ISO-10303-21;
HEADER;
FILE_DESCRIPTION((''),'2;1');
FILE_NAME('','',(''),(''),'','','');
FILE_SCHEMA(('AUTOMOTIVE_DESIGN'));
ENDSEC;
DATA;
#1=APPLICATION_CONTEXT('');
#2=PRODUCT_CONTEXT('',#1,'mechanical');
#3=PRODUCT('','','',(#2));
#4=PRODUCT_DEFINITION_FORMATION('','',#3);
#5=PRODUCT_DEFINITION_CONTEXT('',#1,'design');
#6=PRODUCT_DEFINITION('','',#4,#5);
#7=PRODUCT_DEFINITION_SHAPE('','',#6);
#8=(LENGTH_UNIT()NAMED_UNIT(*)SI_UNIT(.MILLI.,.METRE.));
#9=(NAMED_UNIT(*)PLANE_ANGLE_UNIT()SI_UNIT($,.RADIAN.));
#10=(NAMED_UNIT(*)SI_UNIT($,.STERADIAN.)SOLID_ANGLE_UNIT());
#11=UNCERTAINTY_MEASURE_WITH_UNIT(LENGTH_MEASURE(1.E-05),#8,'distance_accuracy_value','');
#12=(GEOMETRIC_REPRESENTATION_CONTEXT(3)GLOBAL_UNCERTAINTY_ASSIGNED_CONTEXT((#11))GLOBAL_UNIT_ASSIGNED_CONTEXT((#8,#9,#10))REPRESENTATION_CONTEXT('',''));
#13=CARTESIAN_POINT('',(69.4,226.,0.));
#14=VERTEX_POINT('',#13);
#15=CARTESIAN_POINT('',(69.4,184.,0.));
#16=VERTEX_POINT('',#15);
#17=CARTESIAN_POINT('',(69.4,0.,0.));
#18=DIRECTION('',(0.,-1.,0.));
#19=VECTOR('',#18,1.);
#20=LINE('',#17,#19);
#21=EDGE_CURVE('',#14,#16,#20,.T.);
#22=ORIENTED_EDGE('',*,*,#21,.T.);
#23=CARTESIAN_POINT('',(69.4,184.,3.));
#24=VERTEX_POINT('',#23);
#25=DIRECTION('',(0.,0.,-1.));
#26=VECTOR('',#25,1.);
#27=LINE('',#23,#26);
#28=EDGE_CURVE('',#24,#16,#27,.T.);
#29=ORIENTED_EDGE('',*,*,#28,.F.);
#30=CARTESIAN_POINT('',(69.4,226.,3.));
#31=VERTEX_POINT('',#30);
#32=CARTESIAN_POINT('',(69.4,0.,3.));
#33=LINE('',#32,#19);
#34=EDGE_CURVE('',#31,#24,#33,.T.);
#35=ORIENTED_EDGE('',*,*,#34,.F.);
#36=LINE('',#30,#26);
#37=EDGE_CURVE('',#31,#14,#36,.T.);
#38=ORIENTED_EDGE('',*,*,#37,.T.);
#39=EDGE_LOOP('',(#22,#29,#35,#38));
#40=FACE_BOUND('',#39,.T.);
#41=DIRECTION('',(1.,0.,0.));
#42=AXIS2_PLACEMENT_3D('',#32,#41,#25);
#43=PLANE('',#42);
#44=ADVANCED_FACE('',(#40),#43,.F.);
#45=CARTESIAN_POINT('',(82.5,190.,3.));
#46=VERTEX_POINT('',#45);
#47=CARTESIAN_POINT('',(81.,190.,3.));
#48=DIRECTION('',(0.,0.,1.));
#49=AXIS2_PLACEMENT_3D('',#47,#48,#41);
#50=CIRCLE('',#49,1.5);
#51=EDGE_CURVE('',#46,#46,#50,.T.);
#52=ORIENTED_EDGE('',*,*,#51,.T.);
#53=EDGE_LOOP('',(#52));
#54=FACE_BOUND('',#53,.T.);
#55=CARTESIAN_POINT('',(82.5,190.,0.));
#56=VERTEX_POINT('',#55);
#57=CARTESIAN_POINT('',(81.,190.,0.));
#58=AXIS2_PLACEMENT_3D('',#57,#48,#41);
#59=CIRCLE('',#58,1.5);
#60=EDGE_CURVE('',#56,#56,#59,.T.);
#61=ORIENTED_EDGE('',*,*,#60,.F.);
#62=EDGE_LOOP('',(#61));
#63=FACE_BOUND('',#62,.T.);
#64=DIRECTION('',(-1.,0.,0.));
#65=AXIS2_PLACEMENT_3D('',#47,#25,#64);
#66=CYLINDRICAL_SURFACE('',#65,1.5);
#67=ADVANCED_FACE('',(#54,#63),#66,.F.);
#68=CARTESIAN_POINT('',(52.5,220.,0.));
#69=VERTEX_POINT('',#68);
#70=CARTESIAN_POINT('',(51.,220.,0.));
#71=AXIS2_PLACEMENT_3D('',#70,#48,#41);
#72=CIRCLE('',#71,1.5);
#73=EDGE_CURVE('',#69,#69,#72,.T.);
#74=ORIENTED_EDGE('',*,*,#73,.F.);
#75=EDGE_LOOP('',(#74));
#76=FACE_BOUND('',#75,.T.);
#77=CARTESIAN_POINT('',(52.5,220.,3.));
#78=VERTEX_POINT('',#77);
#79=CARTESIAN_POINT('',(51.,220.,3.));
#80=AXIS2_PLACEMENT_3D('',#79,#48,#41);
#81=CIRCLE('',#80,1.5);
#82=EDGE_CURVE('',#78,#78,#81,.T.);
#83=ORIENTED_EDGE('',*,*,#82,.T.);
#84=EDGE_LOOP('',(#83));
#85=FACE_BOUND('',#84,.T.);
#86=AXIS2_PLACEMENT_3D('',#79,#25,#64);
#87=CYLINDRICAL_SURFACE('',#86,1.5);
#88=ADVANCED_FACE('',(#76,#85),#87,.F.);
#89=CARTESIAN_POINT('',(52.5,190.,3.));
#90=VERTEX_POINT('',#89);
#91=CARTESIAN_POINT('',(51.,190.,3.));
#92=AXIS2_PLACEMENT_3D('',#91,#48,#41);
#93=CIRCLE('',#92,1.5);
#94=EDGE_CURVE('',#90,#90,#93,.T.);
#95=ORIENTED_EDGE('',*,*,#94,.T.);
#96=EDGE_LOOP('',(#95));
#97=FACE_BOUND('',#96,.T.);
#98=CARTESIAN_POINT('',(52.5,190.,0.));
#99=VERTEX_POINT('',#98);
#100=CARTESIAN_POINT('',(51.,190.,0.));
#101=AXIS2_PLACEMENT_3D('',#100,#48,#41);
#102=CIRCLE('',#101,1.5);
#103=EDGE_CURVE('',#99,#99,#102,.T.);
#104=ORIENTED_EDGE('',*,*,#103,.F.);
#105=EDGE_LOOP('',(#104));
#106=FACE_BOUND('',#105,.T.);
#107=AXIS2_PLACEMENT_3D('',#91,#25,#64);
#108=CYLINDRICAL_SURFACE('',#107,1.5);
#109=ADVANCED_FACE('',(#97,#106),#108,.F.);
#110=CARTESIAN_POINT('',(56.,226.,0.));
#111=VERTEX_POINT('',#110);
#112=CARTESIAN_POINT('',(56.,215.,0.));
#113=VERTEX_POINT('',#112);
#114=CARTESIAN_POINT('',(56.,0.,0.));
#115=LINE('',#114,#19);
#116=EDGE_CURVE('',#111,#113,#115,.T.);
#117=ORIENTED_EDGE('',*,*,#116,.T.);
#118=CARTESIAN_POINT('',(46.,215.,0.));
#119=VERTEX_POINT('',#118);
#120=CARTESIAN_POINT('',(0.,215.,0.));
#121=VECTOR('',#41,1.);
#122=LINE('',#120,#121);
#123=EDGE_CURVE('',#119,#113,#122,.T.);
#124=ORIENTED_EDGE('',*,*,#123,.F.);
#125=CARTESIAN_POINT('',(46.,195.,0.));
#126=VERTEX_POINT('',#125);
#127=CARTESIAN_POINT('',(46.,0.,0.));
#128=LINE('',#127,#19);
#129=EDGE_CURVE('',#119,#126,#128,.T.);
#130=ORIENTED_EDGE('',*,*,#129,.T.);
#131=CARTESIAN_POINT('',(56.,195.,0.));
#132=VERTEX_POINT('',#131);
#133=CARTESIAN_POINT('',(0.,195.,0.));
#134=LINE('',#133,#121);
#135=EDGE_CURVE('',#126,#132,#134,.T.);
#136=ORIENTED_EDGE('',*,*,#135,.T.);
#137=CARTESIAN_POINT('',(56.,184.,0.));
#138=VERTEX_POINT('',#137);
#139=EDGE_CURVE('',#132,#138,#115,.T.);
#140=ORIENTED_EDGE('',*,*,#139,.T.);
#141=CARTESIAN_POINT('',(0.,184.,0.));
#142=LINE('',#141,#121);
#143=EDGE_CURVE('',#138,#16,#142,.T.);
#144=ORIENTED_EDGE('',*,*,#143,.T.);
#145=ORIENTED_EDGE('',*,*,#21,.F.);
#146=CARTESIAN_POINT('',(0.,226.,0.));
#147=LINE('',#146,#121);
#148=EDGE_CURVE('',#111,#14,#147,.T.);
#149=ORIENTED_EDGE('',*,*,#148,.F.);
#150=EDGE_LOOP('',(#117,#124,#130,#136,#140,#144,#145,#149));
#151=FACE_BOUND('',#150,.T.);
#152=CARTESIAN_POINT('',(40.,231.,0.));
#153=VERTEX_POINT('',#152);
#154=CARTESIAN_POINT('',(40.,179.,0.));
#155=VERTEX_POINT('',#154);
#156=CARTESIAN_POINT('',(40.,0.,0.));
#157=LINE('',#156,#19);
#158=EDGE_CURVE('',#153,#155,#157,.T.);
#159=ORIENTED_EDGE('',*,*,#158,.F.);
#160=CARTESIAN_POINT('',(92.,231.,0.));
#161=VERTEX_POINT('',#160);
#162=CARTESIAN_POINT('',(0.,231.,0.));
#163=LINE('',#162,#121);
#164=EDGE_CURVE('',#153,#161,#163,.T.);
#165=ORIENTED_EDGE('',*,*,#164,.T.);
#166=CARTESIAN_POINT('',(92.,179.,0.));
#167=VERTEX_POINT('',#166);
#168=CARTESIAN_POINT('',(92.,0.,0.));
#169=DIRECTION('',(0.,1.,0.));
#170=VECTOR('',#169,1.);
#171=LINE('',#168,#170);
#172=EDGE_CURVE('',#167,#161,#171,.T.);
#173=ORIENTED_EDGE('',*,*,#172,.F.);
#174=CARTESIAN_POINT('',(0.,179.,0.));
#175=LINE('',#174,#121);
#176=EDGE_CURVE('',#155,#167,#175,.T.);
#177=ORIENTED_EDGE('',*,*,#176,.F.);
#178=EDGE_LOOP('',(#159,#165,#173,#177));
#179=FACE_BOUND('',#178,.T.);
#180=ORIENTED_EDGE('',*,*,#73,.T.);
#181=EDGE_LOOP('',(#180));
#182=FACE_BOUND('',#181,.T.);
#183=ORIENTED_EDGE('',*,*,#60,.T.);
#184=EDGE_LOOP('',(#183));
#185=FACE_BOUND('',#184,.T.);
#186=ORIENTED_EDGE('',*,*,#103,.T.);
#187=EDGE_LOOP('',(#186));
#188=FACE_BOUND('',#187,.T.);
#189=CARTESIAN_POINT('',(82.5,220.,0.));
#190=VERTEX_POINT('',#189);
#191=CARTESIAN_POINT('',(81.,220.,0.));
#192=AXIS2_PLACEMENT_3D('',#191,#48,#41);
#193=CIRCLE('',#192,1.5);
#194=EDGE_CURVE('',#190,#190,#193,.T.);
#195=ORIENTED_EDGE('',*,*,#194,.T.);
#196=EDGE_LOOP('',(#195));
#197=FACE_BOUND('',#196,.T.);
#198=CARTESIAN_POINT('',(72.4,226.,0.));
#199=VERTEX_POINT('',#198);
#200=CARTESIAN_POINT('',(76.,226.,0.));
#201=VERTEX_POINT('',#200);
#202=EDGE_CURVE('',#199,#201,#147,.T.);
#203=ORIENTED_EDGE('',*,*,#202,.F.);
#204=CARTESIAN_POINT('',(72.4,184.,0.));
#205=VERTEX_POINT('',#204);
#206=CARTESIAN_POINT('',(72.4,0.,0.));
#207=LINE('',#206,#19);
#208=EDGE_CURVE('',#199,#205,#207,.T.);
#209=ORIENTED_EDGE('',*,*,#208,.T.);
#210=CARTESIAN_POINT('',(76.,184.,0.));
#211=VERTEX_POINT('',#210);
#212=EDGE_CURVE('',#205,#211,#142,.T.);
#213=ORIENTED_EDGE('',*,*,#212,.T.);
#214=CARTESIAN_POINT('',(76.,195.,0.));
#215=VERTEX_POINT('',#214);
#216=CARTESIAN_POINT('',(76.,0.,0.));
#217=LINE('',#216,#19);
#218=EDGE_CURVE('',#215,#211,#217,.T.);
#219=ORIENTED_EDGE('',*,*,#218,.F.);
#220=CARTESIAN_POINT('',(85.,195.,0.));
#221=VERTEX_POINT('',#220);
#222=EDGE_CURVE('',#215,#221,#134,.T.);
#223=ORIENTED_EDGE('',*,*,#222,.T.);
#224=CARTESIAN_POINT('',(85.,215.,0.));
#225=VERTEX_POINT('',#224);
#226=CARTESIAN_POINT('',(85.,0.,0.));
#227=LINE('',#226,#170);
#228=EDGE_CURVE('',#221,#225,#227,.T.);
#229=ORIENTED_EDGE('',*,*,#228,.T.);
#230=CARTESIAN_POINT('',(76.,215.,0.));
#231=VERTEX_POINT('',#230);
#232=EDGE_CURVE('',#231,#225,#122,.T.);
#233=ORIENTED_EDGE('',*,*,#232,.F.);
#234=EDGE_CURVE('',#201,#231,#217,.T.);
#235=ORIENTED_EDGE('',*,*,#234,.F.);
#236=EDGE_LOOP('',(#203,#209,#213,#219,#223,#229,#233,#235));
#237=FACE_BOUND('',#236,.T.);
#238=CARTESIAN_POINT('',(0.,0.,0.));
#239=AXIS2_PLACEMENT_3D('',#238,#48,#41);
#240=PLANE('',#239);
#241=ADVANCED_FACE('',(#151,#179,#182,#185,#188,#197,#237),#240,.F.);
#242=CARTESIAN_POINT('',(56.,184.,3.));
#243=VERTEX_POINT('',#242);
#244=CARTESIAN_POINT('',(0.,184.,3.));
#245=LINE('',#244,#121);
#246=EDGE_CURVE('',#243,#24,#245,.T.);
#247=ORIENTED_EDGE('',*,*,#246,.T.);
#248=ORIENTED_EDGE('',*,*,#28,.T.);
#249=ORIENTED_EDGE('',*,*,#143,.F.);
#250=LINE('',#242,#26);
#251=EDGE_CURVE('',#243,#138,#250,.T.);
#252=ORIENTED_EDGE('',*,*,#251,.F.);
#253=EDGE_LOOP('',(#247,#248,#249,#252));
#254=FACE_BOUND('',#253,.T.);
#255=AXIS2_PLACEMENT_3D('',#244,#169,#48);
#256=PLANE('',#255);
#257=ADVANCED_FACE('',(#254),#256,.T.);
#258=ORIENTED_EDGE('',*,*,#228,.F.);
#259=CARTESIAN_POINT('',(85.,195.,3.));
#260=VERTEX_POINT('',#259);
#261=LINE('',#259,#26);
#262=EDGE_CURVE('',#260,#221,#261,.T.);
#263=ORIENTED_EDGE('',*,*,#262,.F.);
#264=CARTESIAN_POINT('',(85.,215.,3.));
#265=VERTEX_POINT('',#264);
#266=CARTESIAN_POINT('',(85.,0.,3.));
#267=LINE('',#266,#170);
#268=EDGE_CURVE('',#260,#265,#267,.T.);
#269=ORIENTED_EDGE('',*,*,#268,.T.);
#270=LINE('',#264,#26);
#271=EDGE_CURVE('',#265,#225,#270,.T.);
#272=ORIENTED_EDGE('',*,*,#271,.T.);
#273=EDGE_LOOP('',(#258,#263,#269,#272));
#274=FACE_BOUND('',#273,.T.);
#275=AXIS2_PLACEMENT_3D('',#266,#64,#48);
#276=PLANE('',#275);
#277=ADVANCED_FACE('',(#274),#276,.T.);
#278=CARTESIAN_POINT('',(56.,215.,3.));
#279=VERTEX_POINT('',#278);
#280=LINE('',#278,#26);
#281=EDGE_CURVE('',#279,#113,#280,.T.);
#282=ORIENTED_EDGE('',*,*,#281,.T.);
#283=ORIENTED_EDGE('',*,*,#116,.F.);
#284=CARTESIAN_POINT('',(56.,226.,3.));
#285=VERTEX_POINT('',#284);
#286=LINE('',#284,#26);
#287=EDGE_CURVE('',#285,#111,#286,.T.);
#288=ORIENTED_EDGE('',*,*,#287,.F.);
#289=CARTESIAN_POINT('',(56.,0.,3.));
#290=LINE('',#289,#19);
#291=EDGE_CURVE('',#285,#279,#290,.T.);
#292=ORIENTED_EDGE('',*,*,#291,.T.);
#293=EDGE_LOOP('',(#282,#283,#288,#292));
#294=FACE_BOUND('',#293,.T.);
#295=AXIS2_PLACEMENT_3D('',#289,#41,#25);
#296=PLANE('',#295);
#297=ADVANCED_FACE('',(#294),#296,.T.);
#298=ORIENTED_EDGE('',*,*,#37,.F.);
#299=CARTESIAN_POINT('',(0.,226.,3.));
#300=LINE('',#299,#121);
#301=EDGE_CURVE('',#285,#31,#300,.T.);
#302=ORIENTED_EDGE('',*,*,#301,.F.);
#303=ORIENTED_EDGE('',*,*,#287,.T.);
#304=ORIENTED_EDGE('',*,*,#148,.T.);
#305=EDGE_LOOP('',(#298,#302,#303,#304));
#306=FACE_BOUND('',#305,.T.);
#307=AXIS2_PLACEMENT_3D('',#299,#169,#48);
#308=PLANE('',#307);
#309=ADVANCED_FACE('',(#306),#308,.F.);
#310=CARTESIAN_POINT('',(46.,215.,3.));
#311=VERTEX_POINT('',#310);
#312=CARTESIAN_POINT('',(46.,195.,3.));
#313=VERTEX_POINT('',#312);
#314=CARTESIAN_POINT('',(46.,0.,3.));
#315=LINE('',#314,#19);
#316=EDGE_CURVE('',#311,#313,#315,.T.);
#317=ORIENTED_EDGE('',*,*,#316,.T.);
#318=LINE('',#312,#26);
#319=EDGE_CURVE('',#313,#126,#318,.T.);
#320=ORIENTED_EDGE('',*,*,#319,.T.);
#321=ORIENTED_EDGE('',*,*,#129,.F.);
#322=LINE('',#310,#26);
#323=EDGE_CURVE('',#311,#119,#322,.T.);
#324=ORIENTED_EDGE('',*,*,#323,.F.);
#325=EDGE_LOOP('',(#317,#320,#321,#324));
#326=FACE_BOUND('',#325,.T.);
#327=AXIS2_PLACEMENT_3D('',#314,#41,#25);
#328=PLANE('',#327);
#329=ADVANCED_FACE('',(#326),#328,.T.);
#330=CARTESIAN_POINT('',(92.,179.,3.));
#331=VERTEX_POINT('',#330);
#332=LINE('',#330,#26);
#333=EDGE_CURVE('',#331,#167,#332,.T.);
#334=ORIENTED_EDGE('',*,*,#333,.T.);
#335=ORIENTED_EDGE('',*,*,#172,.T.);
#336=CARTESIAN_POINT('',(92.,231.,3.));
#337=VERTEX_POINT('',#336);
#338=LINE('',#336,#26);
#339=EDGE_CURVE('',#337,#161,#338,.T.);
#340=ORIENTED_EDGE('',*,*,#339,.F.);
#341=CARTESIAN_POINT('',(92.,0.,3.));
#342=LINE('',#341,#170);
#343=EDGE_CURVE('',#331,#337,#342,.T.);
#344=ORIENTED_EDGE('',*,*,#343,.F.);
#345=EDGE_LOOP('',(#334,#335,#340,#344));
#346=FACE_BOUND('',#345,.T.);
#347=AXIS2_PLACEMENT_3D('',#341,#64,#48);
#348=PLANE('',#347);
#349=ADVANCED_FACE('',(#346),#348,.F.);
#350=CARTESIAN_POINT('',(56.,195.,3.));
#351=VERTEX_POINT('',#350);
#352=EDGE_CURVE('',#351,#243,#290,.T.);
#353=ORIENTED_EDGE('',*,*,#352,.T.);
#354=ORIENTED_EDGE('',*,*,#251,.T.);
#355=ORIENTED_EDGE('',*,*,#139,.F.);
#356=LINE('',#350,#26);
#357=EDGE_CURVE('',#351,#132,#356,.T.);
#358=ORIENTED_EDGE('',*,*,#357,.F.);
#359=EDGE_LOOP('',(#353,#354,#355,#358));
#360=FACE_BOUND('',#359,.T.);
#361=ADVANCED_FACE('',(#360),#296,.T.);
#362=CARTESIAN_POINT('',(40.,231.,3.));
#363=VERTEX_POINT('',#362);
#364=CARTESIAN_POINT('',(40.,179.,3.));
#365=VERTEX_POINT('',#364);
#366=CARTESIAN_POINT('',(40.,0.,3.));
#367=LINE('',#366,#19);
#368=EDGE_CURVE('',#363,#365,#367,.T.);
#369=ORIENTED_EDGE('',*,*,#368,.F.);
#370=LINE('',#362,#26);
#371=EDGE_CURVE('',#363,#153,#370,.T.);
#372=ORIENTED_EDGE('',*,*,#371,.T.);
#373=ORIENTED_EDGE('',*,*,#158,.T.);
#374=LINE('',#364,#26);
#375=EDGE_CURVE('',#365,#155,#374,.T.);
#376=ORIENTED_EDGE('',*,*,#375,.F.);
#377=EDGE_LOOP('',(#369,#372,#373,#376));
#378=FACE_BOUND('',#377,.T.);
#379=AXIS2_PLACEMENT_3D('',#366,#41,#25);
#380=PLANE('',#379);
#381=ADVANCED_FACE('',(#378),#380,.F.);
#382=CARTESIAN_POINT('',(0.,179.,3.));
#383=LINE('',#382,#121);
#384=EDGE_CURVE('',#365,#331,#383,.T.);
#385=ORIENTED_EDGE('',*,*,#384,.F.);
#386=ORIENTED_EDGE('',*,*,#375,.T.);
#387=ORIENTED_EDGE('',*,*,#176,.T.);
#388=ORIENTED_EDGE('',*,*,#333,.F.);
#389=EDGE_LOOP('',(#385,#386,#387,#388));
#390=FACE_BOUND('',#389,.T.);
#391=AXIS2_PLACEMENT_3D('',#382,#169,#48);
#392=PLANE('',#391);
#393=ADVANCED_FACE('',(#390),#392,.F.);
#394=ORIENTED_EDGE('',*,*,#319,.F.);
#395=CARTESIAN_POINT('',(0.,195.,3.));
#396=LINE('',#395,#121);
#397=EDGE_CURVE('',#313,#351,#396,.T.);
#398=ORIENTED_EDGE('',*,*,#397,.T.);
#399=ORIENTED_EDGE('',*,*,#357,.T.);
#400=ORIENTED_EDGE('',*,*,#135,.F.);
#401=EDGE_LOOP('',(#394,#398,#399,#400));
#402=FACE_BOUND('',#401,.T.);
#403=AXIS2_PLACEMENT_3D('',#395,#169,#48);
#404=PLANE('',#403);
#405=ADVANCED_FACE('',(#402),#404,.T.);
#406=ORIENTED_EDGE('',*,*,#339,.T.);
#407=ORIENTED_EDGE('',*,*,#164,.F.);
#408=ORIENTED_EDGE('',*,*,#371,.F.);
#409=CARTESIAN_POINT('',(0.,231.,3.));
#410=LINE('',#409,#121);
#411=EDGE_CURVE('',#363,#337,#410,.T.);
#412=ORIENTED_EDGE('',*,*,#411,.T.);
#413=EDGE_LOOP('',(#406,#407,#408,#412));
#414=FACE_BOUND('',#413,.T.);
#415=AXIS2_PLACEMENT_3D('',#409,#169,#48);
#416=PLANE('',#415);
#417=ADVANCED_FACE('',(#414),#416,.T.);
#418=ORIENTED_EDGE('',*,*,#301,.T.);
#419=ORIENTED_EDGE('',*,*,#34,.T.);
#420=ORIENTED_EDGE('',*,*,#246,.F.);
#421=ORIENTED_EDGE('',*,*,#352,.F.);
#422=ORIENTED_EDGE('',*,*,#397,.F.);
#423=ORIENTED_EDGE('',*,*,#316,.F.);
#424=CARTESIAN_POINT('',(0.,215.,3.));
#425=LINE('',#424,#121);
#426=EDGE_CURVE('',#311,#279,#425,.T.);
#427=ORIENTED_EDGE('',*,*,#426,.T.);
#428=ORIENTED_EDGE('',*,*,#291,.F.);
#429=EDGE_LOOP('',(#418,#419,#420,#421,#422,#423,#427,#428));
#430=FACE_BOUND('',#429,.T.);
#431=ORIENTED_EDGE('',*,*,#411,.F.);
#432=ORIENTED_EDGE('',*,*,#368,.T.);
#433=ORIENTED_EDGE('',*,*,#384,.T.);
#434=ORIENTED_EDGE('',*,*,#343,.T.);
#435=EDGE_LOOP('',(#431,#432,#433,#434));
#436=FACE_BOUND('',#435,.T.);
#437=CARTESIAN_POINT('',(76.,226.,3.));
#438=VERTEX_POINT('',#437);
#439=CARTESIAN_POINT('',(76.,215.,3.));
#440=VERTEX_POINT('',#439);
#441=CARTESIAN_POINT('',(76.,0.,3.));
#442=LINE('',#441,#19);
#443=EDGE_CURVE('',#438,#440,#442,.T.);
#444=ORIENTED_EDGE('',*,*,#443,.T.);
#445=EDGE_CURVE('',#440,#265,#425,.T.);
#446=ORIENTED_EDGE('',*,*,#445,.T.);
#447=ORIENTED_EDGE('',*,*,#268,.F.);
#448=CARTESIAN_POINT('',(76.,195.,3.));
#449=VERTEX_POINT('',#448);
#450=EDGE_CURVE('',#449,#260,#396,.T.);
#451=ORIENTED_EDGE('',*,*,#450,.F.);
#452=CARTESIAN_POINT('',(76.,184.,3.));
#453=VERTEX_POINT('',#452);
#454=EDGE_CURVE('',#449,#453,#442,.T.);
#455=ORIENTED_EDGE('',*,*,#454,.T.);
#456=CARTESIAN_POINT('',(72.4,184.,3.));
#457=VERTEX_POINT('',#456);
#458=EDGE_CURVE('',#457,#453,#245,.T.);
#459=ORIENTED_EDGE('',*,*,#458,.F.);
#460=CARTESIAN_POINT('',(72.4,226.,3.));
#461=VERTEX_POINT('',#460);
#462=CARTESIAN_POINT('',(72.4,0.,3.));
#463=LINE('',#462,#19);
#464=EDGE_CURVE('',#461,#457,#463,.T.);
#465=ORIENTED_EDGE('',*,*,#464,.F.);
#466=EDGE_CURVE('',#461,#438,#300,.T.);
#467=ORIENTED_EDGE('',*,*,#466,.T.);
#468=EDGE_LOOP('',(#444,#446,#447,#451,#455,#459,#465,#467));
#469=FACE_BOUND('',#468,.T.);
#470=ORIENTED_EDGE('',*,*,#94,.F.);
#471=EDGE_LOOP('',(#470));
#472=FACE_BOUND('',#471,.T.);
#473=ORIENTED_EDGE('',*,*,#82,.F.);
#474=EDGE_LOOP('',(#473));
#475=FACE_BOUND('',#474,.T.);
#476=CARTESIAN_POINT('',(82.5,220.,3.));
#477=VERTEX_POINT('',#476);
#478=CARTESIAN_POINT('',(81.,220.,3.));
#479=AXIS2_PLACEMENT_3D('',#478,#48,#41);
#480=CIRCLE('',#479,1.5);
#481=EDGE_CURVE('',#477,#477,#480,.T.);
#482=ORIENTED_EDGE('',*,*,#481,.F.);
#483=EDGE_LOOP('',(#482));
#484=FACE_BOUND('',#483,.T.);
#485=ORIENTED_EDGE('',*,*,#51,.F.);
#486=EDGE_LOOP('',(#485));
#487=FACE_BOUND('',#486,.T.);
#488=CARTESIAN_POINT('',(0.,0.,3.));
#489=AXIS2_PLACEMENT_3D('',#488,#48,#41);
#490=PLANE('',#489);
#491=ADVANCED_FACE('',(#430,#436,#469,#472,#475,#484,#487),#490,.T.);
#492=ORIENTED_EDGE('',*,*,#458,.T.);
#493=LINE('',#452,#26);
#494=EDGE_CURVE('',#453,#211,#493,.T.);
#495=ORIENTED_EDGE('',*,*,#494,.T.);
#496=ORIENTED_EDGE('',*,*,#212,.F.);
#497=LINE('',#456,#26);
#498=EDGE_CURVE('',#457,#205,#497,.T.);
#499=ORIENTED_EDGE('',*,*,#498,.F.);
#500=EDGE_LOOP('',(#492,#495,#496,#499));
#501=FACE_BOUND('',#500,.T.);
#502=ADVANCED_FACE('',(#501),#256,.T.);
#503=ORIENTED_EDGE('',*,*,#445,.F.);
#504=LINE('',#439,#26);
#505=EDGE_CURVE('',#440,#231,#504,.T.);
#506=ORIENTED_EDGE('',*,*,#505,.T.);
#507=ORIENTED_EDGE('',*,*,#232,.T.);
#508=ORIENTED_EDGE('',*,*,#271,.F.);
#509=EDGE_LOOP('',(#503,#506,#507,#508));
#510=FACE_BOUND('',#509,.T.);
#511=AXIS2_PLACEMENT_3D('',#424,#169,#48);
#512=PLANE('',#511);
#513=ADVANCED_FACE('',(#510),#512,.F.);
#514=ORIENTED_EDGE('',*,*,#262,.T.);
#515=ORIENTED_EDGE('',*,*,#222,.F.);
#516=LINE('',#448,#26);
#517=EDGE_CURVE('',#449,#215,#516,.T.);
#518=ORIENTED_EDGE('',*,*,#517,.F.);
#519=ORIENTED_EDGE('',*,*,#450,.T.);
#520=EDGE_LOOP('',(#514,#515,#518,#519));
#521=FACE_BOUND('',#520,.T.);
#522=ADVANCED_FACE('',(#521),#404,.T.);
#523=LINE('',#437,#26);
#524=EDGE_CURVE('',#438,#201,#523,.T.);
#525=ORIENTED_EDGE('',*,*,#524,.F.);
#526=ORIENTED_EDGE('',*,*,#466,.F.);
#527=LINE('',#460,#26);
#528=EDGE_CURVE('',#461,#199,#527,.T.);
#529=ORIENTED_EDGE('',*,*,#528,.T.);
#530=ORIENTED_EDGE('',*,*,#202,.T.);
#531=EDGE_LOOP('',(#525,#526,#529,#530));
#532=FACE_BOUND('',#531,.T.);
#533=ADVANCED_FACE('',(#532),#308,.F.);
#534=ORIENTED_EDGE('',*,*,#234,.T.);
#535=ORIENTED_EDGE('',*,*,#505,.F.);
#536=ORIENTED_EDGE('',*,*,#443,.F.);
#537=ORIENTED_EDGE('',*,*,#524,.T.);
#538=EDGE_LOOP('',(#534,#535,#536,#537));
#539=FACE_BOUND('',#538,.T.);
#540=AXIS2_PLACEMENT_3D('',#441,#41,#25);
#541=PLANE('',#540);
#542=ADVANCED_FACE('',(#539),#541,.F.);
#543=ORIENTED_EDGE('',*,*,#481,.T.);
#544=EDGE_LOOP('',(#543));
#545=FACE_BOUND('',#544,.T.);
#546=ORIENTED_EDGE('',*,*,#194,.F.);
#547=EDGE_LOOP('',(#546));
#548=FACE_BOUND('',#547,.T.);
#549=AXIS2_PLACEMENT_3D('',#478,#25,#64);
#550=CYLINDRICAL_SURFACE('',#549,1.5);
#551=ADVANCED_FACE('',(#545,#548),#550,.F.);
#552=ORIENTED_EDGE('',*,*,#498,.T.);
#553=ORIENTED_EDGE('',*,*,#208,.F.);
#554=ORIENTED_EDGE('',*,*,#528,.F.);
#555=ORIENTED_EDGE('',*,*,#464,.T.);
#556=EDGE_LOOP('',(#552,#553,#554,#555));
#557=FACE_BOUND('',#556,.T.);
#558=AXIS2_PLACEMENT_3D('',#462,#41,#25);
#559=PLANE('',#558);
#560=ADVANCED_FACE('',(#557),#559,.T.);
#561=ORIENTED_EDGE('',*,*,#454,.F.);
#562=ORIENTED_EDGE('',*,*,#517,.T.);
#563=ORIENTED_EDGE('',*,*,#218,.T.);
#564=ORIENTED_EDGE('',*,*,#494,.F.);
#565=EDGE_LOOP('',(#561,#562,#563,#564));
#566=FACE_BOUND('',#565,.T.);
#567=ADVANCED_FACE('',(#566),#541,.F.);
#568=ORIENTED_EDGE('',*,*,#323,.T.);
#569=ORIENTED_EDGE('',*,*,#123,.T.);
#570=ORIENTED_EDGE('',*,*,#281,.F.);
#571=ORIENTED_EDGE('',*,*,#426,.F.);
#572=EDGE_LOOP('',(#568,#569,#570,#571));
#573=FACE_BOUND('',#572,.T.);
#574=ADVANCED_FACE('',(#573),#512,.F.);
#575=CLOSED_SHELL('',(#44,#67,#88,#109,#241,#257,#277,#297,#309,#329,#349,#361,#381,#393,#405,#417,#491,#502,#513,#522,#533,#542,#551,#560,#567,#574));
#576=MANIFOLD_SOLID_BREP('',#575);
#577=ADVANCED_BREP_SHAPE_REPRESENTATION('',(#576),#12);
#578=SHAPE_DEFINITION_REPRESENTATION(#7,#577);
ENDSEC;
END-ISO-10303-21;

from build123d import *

# Parameters (mm, degrees)
MODEL_W                 = 52
MODEL_H                 = 52
MODEL_R                 = 1.5
SALIENTE_EXTRUIR1_DEPTH = 3


with BuildPart() as part:
    # Model → Saliente-Extruir1 (new body)
    with BuildSketch(Plane.XY):
        with Locations((66, 205)):
            Rectangle(MODEL_W, MODEL_H)
        with Locations((51, 190)):
            Circle(MODEL_R, mode=Mode.SUBTRACT)
        with Locations((81, 190)):
            Circle(MODEL_R, mode=Mode.SUBTRACT)
        with Locations((81, 220)):
            Circle(MODEL_R, mode=Mode.SUBTRACT)
        with Locations((51, 220)):
            Circle(MODEL_R, mode=Mode.SUBTRACT)
        Polygon((56, 226), (56, 215), (46, 215), (46, 195), (56, 195), (56, 184), (69.4, 184), (69.4, 226), align=None, mode=Mode.SUBTRACT)
        Polygon((72.4, 226), (72.4, 184), (76, 184), (76, 195), (85, 195), (85, 215), (76, 215), (76, 226), align=None, mode=Mode.SUBTRACT)
    extrude(amount=SALIENTE_EXTRUIR1_DEPTH)


solid = part.part
